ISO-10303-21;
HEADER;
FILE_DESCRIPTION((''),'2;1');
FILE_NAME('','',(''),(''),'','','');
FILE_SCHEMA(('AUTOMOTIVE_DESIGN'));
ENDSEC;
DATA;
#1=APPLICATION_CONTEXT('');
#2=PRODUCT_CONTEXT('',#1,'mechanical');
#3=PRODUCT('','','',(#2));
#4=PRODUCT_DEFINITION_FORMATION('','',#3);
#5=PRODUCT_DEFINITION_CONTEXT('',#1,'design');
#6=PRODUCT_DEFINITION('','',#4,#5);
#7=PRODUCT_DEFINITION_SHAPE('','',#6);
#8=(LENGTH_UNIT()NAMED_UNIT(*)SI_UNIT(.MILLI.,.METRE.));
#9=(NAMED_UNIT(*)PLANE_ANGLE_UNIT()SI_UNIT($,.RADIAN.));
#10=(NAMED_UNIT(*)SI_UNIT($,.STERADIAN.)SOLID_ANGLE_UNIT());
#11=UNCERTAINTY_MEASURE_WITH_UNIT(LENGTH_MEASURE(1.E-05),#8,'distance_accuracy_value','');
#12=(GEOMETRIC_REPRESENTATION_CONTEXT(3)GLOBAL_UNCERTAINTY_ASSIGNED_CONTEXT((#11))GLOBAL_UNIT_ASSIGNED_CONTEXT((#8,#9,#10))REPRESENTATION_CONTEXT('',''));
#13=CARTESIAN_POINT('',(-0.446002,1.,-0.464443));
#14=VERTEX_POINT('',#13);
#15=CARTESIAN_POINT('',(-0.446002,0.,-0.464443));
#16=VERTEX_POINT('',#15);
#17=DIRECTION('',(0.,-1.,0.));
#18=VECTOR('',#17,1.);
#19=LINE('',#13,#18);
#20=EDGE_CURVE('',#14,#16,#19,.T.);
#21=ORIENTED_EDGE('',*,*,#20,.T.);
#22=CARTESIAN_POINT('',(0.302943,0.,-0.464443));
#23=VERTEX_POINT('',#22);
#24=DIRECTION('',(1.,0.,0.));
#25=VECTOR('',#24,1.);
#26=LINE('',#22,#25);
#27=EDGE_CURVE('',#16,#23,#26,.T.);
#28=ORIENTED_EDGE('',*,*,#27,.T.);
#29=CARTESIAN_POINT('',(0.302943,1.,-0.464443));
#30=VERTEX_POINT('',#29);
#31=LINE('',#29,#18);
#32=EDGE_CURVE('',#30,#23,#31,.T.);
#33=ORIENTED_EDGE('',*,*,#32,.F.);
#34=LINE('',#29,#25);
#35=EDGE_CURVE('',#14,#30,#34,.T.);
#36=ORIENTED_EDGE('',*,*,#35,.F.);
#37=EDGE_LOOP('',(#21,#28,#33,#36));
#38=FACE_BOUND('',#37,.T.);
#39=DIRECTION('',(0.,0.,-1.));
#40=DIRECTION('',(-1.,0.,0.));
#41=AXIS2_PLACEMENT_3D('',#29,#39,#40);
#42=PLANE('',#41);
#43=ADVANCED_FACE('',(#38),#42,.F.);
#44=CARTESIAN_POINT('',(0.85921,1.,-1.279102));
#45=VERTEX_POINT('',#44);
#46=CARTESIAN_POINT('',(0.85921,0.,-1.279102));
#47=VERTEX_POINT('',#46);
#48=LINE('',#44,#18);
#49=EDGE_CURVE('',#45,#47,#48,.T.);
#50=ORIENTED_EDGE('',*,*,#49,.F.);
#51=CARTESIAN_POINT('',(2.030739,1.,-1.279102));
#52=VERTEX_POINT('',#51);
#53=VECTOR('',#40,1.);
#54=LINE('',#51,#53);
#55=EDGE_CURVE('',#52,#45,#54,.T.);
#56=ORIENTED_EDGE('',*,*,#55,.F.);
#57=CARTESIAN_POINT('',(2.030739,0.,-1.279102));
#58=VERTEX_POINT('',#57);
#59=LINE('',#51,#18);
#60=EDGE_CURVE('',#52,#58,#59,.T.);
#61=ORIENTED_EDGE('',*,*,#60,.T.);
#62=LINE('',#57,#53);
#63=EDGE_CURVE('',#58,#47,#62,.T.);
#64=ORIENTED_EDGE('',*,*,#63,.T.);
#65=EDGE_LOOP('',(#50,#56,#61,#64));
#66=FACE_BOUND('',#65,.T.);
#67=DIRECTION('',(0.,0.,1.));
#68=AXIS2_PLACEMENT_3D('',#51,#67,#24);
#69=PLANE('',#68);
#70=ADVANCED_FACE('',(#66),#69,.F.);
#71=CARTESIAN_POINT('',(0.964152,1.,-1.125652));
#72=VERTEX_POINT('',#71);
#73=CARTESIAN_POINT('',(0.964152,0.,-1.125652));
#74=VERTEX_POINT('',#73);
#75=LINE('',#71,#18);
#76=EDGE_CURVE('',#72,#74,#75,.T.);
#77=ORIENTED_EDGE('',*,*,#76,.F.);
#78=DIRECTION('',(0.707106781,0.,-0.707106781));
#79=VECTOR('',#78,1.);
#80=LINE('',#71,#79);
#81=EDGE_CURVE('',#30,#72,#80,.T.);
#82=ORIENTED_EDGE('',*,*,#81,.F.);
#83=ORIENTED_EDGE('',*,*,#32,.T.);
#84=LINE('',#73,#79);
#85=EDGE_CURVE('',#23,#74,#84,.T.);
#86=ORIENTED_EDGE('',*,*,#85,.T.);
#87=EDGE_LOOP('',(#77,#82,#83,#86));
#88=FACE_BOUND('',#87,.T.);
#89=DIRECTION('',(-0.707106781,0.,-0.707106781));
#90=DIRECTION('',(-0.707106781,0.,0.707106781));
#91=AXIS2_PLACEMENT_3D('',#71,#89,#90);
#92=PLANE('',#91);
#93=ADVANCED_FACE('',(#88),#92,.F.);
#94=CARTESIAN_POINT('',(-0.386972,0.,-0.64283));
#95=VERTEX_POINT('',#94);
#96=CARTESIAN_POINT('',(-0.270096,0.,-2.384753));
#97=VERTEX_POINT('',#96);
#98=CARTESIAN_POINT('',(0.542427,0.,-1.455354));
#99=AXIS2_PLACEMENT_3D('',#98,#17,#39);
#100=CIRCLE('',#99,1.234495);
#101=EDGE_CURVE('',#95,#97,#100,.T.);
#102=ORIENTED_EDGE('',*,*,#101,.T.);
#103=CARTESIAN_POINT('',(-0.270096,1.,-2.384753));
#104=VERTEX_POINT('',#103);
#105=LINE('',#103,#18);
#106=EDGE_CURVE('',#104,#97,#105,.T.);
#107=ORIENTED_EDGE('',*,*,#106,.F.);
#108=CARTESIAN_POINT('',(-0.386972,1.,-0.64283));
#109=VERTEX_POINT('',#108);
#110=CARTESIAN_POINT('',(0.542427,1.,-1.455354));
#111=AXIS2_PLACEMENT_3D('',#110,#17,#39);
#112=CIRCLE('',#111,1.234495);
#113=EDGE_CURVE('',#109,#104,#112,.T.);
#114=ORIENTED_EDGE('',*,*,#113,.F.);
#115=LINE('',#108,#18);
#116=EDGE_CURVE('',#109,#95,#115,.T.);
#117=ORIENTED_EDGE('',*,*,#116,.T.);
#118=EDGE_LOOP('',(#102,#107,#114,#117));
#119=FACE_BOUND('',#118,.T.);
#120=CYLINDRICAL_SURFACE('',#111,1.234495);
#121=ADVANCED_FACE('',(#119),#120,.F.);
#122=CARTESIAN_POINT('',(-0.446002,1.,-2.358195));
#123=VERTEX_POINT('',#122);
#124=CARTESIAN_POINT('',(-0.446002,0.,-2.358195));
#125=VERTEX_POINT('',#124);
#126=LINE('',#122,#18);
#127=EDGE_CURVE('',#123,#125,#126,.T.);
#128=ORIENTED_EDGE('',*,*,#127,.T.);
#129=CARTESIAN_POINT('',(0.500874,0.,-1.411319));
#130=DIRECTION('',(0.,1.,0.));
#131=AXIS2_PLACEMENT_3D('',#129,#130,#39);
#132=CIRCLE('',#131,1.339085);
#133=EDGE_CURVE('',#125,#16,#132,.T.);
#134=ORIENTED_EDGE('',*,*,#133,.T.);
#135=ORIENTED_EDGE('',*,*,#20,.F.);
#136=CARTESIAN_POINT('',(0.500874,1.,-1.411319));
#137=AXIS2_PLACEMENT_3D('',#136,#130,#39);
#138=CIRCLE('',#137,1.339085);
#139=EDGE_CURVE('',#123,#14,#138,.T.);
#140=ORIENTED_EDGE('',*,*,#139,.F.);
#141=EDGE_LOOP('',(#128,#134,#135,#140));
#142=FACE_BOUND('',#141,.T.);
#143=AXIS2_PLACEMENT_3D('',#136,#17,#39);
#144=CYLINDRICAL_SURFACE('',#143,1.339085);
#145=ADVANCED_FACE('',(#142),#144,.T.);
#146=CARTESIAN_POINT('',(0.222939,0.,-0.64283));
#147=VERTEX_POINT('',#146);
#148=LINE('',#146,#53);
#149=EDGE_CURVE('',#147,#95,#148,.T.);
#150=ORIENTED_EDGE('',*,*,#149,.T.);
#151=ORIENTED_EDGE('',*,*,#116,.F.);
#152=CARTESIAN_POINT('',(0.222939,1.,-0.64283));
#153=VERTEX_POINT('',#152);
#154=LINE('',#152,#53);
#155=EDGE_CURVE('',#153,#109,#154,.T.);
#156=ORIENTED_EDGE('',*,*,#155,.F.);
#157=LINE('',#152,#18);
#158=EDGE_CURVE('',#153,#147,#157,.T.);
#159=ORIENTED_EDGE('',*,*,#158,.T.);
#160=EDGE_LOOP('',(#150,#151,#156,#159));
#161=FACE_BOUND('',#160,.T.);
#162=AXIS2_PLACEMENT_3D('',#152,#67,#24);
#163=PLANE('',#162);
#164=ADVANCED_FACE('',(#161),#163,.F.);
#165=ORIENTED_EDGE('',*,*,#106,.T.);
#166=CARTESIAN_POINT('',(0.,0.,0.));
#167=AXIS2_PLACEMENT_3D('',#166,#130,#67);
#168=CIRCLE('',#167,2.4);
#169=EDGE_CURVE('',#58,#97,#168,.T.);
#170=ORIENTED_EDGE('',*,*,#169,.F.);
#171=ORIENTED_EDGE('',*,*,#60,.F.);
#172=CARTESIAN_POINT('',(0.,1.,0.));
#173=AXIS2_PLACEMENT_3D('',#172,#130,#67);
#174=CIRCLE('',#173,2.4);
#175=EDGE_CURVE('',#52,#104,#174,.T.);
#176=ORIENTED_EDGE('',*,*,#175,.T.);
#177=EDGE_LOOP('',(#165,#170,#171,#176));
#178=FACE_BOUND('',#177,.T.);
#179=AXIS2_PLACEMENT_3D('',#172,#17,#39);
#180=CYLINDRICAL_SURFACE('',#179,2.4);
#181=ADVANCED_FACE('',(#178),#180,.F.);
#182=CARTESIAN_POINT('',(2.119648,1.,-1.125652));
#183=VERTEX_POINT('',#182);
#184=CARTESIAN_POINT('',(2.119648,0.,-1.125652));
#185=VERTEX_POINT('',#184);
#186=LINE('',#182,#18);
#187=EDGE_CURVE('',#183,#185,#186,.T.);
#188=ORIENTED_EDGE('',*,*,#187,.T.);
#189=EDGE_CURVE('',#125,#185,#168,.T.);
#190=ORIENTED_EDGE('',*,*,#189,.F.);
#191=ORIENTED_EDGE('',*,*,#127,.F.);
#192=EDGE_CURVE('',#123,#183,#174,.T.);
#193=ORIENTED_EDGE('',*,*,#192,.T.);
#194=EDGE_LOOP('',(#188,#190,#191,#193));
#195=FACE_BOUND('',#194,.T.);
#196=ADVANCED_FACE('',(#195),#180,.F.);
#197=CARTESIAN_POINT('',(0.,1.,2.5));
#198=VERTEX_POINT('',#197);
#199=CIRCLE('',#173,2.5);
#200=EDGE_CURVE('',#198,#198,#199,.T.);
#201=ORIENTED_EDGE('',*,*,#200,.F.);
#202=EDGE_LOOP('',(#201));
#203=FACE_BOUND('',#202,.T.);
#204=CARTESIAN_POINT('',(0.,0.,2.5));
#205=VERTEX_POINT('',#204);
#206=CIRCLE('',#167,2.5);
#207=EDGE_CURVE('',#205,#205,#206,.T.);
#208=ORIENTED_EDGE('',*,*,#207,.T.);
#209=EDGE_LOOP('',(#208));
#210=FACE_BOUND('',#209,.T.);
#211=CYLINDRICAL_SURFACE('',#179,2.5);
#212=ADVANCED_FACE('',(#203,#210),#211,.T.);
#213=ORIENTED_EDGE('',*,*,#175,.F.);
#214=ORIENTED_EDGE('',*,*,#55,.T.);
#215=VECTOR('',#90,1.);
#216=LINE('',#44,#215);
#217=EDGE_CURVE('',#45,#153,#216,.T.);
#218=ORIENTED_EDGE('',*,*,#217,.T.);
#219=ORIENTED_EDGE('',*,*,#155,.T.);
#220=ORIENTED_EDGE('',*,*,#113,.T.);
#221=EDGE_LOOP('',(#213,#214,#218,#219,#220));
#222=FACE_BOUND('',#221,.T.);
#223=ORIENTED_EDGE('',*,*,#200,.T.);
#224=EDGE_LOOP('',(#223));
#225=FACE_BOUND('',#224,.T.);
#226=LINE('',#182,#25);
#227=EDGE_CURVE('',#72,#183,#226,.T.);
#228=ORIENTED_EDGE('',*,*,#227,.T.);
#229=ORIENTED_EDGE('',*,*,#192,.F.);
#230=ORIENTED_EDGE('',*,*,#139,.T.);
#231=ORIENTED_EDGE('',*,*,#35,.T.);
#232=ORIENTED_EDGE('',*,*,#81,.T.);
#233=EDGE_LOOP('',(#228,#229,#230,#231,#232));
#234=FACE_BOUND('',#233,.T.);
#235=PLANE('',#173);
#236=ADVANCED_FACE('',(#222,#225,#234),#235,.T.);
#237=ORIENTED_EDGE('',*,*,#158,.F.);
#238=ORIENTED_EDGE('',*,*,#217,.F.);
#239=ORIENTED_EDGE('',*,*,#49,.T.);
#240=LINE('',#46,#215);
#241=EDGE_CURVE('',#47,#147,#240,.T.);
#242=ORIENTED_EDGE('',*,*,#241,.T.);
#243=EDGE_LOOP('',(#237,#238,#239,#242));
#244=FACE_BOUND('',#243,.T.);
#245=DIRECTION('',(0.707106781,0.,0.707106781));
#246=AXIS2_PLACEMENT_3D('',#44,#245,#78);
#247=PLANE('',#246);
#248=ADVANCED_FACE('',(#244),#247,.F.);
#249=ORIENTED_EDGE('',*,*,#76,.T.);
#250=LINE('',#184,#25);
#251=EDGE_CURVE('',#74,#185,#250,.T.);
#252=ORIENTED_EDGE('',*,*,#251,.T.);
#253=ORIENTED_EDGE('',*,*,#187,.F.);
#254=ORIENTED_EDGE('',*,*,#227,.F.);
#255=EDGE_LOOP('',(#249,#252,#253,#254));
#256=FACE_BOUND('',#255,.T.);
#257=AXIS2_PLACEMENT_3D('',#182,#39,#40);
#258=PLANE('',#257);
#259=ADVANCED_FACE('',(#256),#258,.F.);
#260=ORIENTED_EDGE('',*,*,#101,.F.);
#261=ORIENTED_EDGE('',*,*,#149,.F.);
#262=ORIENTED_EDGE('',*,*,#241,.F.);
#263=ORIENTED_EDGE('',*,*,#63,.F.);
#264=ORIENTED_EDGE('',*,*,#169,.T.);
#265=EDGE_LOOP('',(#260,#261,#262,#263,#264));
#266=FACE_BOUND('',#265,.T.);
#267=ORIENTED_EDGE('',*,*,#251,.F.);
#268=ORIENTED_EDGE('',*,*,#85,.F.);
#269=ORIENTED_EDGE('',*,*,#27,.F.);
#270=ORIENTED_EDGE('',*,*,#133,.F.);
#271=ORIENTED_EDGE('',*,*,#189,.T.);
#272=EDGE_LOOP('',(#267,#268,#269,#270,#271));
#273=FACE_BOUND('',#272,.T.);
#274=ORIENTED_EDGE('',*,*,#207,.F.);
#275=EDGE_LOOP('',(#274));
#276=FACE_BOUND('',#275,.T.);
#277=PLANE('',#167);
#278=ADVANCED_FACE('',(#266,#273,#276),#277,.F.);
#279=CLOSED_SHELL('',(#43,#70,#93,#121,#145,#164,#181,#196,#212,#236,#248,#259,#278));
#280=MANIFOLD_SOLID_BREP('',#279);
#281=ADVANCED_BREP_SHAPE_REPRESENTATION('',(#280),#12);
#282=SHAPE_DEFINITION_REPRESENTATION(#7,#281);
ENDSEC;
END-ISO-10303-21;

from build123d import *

# Parameters (mm, degrees)
SKETCH1_R           = 2.5
SKETCH1_R_2         = 2.4
BOSS_EXTRUDE1_DEPTH = 1
BOSS_EXTRUDE2_DEPTH = 1


with BuildPart() as part:
    # Sketch1 → Boss-Extrude1 (new body)
    with BuildSketch(Plane(origin=(0, 0, 0), x_dir=(1, 0, 0), z_dir=(0, 1, 0))):
        with Locations(Location((0, 0, 0), (0, 0, 270))):
            Circle(SKETCH1_R)
        with Locations(Location((0, 0, 0), (0, 0, 270))):
            Circle(SKETCH1_R_2, mode=Mode.SUBTRACT)
    extrude(amount=BOSS_EXTRUDE1_DEPTH)

    # Sketch2 → Boss-Extrude2 (add)
    with BuildSketch(Plane(origin=(0, 0, 0), x_dir=(1, 0, 0), z_dir=(0, 1, 0))):
        with BuildLine():
            Line((2.119648162, 1.125651664), (0.964151756, 1.125651664))
            Line((0.964151756, 1.125651664), (0.302943091, 0.464443))
            Line((0.302943091, 0.464443), (-0.446002173, 0.464443))
            ThreePointArc((-0.446002173, 0.464443), (-0.838210984, 1.411318831), (-0.446002173, 2.358194662))
            ThreePointArc((-0.446002173, 2.358194662), (-0.358295432, 2.373104377), (-0.27009636, 2.384753228))
            ThreePointArc((-0.27009636, 2.384753228), (-0.689298485, 1.537997556), (-0.386972473, 0.642830213))
            Line((-0.386972473, 0.642830213), (0.22293871, 0.642830213))
            Line((0.22293871, 0.642830213), (0.859210068, 1.279101571))
            Line((0.859210068, 1.279101571), (2.030738577, 1.279101571))
            ThreePointArc((2.030738577, 1.279101571), (2.07661124, 1.203198138), (2.119648162, 1.125651664))
        make_face()
    extrude(amount=BOSS_EXTRUDE2_DEPTH)


solid = part.part
